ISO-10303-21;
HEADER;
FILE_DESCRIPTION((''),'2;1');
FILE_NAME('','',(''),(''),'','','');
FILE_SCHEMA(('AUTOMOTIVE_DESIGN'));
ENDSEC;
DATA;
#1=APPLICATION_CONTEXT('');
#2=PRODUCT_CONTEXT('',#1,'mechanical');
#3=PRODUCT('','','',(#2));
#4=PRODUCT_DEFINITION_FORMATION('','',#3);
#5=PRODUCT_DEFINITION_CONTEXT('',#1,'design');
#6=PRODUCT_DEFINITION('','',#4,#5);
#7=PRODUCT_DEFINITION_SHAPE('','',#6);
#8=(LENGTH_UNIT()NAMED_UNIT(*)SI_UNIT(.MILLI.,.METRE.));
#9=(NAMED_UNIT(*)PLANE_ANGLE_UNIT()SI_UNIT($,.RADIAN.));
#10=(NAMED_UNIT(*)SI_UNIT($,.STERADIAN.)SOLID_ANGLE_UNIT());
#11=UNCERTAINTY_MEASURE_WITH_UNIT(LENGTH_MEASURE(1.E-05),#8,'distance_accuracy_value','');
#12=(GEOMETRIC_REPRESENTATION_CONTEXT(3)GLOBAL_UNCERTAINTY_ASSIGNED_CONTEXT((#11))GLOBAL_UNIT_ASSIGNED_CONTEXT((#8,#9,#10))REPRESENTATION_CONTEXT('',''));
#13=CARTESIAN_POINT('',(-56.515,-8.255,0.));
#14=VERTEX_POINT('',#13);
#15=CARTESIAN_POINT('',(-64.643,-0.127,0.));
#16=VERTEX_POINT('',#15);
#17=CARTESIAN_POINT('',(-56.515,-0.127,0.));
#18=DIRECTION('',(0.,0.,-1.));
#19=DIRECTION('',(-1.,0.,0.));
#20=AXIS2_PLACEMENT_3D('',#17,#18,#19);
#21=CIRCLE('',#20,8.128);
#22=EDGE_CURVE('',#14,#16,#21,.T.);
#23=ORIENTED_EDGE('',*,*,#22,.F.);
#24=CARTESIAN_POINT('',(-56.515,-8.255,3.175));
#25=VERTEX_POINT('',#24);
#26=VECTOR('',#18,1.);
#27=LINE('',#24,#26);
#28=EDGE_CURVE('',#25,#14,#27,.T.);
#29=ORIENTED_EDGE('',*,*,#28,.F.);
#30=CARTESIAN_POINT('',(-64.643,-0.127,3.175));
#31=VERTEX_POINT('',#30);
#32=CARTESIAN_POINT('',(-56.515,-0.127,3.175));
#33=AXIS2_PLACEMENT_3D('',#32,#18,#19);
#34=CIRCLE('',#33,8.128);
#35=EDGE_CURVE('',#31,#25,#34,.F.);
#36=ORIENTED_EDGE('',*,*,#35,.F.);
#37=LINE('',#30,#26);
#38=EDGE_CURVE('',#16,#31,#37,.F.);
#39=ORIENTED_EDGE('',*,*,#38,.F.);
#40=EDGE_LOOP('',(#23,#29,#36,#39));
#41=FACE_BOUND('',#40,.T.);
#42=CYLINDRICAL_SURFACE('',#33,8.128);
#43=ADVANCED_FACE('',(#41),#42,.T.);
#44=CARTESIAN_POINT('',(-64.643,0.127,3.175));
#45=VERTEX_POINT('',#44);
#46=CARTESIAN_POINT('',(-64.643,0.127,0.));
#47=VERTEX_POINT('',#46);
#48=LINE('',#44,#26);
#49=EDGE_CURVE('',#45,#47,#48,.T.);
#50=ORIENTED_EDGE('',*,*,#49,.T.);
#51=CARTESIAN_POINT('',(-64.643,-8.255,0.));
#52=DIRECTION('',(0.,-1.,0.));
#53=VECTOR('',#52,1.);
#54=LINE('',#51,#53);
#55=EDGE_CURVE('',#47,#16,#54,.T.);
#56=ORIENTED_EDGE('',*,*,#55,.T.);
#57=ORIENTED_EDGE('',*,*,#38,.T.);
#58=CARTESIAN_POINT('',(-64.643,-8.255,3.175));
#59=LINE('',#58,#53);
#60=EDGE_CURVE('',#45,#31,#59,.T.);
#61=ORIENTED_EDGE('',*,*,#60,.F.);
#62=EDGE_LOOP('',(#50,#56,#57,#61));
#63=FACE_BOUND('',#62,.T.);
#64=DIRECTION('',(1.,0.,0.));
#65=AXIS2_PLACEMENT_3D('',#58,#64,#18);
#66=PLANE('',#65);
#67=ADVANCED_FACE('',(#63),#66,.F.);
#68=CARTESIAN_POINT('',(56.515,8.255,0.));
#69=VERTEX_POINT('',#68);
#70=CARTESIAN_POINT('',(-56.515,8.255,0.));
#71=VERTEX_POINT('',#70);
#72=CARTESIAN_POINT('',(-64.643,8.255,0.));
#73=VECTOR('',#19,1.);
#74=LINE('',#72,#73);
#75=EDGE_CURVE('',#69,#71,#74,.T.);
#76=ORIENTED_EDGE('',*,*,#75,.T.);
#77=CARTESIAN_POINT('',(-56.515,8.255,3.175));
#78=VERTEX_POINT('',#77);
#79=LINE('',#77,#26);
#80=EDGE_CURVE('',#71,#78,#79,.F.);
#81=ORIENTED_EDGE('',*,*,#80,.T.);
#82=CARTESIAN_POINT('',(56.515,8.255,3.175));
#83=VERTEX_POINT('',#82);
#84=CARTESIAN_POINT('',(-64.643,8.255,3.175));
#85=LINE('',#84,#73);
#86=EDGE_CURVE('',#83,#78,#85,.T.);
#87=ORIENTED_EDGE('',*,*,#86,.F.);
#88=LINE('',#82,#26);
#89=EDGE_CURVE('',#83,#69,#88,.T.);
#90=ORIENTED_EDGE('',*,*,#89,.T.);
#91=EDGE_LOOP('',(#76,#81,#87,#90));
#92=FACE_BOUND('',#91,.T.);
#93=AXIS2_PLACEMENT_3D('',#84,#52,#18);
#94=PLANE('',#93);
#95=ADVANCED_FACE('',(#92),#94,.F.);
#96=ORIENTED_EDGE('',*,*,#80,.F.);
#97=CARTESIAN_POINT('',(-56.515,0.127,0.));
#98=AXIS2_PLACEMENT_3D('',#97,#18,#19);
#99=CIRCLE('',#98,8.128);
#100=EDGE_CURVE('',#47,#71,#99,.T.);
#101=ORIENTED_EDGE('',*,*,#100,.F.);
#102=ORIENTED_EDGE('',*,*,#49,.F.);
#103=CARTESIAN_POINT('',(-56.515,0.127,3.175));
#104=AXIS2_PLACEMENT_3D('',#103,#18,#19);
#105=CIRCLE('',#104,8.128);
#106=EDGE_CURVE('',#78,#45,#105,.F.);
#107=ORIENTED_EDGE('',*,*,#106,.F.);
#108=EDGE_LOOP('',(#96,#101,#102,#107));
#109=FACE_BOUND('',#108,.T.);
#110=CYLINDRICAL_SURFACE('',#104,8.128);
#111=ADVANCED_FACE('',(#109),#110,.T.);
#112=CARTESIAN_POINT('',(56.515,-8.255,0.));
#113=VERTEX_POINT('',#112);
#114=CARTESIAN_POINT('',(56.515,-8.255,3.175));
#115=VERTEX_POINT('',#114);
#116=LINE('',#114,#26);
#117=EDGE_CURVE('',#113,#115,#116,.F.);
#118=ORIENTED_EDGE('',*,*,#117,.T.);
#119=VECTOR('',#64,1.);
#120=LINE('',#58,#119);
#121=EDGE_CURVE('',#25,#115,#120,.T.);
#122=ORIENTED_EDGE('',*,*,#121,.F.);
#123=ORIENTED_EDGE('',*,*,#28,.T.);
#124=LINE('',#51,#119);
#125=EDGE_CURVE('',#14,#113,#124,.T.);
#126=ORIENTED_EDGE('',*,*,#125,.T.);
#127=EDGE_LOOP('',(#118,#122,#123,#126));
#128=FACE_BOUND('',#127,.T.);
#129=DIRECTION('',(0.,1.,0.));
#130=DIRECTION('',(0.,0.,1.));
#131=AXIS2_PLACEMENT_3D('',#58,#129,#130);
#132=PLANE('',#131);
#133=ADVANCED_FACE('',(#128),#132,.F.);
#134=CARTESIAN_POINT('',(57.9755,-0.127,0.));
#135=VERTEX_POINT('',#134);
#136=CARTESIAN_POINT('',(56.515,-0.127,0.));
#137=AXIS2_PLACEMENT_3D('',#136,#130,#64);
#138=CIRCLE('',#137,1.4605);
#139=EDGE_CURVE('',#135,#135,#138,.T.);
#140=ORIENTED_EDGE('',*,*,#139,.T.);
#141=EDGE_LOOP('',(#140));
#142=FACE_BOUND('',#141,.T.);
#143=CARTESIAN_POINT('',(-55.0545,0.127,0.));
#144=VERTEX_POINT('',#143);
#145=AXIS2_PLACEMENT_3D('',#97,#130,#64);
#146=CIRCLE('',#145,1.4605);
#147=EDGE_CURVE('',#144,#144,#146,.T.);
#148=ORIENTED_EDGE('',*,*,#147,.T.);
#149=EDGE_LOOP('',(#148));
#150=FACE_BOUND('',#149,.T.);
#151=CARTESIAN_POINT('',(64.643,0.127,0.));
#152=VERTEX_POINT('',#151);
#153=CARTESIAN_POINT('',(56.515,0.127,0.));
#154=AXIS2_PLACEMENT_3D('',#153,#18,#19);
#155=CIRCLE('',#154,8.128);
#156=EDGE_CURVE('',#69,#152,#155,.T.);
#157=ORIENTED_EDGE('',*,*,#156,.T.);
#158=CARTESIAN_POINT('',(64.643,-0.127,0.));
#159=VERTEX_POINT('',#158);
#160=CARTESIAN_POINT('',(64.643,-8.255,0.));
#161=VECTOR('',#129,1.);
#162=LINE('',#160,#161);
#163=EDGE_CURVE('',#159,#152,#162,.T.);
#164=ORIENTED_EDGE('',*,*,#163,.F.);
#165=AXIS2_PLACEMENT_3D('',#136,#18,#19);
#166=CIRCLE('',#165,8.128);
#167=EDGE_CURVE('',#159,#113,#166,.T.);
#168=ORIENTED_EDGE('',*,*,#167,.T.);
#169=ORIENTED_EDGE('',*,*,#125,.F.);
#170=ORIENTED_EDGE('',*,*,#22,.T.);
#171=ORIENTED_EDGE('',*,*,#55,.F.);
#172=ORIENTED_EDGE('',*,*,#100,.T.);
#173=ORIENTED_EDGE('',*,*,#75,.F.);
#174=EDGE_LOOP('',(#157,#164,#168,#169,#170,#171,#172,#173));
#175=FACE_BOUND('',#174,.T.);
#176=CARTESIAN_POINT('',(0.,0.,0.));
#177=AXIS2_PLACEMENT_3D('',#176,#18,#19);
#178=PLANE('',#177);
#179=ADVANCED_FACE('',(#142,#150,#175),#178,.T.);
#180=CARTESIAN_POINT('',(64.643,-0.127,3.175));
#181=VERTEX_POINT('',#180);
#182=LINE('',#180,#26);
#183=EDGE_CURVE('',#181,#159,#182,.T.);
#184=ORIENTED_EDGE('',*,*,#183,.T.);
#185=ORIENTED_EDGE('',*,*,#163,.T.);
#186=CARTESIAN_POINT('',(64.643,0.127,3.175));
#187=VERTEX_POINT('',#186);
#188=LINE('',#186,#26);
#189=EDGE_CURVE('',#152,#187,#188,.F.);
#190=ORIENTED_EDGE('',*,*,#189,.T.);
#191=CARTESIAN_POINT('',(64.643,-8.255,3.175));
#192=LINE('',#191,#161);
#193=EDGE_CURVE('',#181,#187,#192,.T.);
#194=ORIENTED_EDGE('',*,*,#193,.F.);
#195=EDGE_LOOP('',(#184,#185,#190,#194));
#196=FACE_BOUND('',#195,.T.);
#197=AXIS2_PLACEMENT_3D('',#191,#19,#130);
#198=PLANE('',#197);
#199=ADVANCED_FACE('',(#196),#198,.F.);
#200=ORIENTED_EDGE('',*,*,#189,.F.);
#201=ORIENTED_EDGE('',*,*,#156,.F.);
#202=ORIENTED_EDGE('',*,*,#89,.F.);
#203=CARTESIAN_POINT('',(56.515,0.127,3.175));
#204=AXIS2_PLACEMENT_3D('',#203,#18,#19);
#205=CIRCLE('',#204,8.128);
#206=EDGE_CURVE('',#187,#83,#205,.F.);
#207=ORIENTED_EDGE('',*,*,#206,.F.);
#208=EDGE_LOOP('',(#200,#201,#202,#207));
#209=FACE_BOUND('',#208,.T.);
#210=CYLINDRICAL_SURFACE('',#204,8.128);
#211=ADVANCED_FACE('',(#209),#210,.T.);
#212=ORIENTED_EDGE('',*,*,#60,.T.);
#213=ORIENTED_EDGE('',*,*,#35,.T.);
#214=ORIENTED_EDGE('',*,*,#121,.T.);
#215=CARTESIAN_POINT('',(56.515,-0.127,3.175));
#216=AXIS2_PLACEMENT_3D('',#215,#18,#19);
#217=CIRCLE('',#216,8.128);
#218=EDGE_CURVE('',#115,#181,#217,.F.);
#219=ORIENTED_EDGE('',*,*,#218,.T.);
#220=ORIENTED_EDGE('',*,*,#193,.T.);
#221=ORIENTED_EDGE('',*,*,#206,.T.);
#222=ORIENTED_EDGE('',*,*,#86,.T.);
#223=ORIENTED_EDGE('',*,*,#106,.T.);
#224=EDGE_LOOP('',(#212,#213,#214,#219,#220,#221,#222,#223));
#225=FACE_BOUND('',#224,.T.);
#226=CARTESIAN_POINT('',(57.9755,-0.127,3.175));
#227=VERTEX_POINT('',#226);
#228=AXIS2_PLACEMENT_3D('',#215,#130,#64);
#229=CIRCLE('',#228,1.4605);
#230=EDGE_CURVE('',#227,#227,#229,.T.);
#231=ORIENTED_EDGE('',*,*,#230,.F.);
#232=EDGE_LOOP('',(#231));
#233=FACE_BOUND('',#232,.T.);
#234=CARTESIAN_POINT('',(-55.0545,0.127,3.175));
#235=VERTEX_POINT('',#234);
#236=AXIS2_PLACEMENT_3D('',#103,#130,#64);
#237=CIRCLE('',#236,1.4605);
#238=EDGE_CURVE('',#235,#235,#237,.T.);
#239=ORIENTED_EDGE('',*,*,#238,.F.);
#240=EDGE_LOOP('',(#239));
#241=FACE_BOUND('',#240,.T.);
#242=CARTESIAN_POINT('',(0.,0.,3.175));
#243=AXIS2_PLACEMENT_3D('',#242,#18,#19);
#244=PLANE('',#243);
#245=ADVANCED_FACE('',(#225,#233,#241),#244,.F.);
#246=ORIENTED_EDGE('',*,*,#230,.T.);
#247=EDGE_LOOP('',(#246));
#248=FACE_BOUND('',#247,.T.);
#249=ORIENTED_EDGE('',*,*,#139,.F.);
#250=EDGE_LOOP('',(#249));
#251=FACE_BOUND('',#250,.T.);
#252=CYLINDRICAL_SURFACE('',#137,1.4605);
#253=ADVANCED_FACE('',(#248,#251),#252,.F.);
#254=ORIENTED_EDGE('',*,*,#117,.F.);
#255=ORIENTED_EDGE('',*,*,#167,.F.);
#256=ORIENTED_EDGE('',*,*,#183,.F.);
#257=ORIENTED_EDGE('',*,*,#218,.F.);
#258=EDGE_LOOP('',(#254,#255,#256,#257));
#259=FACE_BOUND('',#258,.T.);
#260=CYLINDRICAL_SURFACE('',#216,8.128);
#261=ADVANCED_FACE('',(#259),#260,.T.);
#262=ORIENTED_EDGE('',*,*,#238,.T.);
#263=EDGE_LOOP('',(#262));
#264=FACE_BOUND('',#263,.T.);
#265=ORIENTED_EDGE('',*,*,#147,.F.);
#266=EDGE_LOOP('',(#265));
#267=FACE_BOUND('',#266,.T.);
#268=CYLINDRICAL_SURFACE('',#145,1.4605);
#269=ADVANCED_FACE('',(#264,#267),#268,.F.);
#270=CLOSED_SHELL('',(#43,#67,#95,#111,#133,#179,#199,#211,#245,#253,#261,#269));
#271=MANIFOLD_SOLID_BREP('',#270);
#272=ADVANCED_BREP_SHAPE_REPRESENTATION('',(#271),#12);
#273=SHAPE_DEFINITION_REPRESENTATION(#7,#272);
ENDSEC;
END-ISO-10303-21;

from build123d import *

# Parameters (mm, degrees)
SKETCH1_W           = 129.286
SKETCH1_H           = 16.51
BOSS_EXTRUDE1_DEPTH = 3.175
FILLET1_R           = 8.128
SKETCH2_R           = 1.4605
CUT_EXTRUDE1_DEPTH  = 66.24525346


with BuildPart() as part:
    # Sketch1 → Boss-Extrude1 (new body)
    with BuildSketch(Plane.XY):
        Rectangle(SKETCH1_W, SKETCH1_H)
    extrude(amount=BOSS_EXTRUDE1_DEPTH)

    # Fillet1
    fillet1_edges = [part.edges().sort_by_distance(p)[0] for p in [
        (64.643, -8.255, 1.5875),
        (-64.643, -8.255, 1.5875),
        (-64.643, 8.255, 1.5875),
        (64.643, 8.255, 1.5875),
    ]]
    fillet(fillet1_edges, radius=FILLET1_R)

    # Sketch2 → Cut-Extrude1 (cut, through all)
    with BuildSketch(Plane.XY.offset(3.175)):
        with Locations((-56.515, 0.127)):
            Circle(SKETCH2_R)
        with Locations((56.515, -0.127)):
            Circle(SKETCH2_R)
    extrude(amount=-CUT_EXTRUDE1_DEPTH, mode=Mode.SUBTRACT)


solid = part.part
